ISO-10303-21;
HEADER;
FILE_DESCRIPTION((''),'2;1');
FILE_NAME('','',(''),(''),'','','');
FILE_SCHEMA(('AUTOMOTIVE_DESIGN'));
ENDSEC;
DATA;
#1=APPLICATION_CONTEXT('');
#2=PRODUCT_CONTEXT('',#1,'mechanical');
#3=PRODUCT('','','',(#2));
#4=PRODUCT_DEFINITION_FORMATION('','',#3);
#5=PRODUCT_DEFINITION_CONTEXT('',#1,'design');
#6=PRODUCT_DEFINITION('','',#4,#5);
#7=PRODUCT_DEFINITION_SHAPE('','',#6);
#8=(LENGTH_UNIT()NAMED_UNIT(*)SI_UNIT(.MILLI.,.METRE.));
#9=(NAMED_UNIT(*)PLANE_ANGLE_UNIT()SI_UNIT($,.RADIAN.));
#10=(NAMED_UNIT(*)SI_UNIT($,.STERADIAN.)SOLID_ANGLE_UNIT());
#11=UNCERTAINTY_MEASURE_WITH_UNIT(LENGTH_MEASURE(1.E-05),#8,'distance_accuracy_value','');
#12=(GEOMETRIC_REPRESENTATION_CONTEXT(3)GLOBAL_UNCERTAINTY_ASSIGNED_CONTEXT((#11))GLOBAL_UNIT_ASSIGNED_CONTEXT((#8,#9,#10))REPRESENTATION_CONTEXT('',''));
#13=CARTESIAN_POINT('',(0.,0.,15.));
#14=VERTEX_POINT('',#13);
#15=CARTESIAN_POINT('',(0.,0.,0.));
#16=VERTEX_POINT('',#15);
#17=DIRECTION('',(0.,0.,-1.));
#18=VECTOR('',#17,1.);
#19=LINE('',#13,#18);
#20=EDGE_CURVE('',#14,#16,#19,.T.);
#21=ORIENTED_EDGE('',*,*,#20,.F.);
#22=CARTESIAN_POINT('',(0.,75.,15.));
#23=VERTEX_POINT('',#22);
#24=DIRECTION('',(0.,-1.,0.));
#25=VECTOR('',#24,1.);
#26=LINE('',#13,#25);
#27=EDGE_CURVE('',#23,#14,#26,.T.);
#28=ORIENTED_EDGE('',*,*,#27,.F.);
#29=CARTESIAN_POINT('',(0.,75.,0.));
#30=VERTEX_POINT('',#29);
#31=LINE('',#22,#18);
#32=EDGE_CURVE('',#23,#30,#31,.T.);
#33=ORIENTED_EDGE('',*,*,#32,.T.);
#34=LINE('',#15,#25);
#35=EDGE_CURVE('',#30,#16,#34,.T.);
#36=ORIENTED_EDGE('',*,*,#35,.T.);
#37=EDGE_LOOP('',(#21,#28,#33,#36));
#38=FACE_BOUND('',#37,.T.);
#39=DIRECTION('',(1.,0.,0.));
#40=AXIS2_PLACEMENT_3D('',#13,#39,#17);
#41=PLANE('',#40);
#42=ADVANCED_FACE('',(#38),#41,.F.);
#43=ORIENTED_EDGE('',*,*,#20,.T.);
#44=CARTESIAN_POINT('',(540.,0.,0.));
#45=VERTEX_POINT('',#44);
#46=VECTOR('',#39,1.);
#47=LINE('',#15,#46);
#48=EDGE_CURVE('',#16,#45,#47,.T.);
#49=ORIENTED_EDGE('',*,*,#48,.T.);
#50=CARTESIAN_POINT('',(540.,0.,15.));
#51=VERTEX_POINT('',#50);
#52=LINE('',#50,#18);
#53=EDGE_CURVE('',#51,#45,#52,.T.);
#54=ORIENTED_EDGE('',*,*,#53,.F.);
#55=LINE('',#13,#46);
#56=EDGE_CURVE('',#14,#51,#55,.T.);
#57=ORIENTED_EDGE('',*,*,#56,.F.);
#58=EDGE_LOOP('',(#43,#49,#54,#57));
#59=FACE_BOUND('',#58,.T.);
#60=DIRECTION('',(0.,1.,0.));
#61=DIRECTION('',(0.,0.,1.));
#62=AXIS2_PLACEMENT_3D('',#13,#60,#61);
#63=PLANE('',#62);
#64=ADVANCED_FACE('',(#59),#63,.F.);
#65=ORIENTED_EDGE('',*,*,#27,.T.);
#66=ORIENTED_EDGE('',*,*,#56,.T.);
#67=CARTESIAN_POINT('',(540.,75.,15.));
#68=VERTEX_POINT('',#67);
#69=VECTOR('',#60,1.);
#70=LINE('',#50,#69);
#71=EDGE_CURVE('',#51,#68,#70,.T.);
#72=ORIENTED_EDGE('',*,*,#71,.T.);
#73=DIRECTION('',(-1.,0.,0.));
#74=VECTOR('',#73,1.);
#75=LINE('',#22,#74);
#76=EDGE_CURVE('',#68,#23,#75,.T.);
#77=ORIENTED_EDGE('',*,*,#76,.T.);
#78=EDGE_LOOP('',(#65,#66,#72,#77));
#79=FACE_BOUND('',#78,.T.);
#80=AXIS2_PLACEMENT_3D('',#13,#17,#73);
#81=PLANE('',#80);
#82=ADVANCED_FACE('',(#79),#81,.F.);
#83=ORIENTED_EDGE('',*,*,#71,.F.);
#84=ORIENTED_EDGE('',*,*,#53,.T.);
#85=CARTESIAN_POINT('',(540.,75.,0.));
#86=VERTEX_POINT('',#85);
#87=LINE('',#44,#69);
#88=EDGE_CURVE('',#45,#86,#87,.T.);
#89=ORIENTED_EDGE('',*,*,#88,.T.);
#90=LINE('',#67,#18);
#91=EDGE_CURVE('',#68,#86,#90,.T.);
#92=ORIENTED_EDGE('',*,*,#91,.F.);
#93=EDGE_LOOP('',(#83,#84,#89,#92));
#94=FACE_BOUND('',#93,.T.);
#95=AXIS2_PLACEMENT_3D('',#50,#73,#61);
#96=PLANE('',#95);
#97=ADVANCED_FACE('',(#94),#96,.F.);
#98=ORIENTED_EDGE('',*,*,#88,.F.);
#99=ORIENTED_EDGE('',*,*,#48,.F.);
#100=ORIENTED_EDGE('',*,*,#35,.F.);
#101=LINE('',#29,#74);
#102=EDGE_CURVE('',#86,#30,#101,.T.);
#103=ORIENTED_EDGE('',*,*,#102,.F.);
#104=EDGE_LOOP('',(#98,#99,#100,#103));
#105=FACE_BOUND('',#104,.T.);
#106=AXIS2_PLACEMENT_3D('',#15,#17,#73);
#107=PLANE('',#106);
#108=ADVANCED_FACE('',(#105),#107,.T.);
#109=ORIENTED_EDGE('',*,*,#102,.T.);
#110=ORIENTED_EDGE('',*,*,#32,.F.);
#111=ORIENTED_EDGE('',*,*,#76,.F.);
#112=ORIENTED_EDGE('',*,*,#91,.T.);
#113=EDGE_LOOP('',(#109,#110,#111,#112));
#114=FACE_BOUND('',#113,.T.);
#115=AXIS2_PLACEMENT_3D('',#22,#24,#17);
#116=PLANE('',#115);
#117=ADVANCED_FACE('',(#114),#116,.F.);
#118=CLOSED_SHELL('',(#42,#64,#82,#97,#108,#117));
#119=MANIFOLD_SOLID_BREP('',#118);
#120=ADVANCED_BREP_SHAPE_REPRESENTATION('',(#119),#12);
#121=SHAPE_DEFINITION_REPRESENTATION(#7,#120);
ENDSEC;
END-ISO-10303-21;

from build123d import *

# Parameters (mm, degrees)
SKETCH1_W           = 54
SKETCH1_H           = 7.5
BOSS_EXTRUDE1_DEPTH = 1.5
SCALE1_SCALE        = 10


with BuildPart() as part:
    # Sketch1 → Boss-Extrude1 (new body)
    with BuildSketch(Plane.XY):
        with Locations((27, 3.75)):
            Rectangle(SKETCH1_W, SKETCH1_H)
    extrude(amount=BOSS_EXTRUDE1_DEPTH)


with BuildPart() as part_1:
    # Scale1: scaled about (0, 0, 0)
    add(part.part.scale(SCALE1_SCALE))


solid = part_1.part
